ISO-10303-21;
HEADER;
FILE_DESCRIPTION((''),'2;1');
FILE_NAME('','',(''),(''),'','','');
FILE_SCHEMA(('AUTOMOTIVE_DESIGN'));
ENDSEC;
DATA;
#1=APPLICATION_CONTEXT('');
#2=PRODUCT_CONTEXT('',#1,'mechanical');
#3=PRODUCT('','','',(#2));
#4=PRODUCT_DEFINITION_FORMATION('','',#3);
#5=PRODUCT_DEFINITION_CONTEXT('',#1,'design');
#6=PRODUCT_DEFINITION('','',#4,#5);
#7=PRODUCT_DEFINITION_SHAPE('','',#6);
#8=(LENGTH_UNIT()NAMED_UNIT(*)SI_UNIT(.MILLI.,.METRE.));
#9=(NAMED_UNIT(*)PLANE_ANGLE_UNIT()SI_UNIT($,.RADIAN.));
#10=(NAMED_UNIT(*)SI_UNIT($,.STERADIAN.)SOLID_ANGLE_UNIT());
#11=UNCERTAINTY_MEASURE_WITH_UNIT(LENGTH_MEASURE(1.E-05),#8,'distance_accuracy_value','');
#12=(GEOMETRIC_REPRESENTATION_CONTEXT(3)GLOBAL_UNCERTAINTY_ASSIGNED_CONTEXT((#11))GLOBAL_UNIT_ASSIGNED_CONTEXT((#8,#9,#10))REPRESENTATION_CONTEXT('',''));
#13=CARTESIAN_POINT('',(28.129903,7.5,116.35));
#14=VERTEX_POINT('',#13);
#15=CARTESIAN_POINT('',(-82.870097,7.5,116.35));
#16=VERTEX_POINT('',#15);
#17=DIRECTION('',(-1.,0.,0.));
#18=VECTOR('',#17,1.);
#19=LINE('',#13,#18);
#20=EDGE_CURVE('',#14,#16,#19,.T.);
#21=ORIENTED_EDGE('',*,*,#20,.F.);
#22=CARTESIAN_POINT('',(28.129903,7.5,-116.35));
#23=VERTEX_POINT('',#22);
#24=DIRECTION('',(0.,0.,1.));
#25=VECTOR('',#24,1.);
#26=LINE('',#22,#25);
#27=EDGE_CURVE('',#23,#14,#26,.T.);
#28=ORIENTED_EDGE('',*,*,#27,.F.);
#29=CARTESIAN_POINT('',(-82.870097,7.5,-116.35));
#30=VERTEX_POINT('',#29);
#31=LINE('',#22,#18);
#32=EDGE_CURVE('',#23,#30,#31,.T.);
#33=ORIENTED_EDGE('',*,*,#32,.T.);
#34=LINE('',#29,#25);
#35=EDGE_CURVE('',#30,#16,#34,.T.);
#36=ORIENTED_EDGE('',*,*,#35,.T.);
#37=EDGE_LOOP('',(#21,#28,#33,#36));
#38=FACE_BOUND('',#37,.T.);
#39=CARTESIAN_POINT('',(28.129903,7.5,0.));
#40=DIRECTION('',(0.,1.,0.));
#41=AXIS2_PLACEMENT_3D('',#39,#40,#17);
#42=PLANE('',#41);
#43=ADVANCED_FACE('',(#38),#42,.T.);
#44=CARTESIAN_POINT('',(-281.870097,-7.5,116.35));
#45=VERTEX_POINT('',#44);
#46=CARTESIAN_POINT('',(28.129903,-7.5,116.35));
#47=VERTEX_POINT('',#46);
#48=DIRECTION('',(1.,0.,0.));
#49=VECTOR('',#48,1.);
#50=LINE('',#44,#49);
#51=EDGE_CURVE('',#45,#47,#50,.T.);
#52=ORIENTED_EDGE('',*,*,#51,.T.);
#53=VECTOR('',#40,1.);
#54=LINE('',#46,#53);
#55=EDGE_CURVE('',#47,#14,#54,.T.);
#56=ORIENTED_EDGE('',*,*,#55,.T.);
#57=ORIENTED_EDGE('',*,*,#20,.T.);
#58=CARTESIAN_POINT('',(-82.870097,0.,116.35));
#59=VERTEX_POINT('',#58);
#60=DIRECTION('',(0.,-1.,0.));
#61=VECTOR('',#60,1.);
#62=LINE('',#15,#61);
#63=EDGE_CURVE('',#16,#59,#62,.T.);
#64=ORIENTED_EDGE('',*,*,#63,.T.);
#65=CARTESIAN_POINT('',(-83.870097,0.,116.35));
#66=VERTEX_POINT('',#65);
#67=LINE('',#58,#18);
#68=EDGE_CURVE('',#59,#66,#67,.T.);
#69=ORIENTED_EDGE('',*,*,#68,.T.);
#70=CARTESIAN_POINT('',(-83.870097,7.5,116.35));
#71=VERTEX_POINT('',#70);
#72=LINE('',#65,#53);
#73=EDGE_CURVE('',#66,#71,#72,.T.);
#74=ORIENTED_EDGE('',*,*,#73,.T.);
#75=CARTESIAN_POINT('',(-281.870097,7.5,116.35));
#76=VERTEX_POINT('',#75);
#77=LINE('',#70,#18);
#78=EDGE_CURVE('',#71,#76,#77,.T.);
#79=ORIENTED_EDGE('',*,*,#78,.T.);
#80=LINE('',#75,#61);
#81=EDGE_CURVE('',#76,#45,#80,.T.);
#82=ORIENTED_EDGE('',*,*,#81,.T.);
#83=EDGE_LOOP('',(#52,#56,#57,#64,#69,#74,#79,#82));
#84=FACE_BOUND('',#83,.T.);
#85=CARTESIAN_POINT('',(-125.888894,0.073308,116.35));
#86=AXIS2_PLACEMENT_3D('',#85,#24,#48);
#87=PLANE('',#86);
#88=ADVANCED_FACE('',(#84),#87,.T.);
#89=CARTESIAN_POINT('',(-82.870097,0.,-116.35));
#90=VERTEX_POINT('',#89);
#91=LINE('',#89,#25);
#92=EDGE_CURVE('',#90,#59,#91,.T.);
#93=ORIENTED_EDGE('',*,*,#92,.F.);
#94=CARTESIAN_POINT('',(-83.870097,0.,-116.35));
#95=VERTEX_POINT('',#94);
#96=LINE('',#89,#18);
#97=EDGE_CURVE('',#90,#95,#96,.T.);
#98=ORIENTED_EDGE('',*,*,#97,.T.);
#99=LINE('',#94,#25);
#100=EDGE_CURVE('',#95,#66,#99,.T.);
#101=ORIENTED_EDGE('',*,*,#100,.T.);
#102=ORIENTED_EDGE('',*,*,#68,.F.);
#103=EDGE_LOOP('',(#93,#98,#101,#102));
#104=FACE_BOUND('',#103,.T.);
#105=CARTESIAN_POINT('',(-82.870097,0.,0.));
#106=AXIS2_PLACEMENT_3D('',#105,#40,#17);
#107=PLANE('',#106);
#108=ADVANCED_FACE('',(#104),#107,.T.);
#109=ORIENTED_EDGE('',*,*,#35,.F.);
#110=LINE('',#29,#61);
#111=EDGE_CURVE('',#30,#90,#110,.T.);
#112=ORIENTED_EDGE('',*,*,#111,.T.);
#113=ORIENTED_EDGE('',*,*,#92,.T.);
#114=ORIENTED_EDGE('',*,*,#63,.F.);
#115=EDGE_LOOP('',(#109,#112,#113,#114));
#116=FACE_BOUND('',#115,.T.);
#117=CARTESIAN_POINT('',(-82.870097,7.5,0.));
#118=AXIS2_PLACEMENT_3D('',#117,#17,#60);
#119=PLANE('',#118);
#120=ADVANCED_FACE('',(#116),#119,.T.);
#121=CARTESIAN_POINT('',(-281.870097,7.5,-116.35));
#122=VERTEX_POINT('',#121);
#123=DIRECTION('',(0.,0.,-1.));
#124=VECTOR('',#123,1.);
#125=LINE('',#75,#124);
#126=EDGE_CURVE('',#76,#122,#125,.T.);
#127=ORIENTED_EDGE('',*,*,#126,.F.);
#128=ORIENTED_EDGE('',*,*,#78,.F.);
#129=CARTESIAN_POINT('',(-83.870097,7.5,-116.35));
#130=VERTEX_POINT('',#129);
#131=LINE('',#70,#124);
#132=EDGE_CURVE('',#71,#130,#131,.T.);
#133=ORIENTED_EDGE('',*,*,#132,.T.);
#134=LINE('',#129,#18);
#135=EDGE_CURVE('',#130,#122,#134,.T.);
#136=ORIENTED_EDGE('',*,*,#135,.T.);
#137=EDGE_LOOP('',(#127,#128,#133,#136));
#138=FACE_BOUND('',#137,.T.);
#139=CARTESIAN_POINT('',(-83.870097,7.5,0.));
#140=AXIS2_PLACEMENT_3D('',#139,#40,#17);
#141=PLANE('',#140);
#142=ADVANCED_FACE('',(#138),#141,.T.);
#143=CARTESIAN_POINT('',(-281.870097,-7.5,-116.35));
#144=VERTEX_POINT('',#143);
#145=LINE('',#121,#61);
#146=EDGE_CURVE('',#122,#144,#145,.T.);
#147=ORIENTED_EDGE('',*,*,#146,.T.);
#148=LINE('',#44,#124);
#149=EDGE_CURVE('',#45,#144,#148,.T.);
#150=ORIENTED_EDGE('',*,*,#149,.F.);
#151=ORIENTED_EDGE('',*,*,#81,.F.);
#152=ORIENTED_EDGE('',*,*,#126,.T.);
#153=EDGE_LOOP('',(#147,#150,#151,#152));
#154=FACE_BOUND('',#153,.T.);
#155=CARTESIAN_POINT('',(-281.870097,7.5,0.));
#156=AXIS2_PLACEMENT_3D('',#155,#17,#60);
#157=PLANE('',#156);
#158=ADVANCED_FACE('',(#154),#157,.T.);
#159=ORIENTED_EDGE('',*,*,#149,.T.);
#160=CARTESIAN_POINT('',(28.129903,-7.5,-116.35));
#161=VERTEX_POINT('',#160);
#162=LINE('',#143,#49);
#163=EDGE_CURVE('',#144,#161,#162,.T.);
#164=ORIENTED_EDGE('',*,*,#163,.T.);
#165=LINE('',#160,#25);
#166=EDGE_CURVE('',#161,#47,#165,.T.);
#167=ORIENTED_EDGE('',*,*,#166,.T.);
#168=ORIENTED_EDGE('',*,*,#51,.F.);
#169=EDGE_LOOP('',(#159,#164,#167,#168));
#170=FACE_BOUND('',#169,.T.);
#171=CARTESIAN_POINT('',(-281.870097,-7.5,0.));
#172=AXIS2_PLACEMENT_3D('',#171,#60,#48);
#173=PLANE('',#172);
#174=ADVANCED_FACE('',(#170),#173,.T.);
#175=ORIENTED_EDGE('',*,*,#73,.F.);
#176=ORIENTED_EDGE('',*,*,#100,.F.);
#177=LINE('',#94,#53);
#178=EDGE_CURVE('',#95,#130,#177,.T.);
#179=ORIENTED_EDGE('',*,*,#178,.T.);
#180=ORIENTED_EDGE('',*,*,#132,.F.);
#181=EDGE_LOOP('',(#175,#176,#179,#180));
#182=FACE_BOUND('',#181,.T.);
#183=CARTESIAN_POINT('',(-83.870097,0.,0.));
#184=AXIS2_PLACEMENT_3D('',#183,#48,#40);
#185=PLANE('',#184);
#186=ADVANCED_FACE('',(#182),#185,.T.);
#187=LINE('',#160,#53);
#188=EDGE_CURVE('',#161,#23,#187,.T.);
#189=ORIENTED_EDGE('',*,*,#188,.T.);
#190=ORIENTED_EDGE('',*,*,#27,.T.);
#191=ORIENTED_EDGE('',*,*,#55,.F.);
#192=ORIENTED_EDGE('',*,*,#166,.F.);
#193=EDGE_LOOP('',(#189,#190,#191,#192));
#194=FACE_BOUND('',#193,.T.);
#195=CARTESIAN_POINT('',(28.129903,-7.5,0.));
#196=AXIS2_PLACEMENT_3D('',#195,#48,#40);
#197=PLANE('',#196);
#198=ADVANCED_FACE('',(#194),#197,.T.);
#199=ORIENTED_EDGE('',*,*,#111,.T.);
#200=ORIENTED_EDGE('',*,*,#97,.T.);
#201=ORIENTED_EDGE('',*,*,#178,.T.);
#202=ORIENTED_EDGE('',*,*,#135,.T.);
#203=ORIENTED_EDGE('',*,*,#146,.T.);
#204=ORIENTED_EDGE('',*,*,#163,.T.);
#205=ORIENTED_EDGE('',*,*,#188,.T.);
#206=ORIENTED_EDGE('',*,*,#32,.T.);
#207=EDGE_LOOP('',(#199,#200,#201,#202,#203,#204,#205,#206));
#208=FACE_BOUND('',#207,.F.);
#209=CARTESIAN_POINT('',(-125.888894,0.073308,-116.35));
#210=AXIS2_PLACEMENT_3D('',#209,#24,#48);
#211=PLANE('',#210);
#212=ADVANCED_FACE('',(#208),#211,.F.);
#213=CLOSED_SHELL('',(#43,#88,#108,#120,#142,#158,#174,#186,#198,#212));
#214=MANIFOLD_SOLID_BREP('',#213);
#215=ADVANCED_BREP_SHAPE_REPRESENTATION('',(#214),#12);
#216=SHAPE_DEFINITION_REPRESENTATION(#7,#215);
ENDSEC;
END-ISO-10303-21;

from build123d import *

# Parameters (mm, degrees)
F1_DEPTH = 116.35


with BuildPart() as f1:
    # F0 (on Top) → F1 (new body, symmetric)
    with BuildSketch(Plane.XY):
        Polygon((-281.8700969219, -7.5), (28.1299030781, -7.5), (28.1299030781, 7.5), (-82.8700969219, 7.5), (-82.8700969219, 0), (-83.8700969219, 0), (-83.8700969219, 7.5), (-281.8700969219, 7.5), align=None)
    extrude(amount=F1_DEPTH, both=True)


solid = f1.part
